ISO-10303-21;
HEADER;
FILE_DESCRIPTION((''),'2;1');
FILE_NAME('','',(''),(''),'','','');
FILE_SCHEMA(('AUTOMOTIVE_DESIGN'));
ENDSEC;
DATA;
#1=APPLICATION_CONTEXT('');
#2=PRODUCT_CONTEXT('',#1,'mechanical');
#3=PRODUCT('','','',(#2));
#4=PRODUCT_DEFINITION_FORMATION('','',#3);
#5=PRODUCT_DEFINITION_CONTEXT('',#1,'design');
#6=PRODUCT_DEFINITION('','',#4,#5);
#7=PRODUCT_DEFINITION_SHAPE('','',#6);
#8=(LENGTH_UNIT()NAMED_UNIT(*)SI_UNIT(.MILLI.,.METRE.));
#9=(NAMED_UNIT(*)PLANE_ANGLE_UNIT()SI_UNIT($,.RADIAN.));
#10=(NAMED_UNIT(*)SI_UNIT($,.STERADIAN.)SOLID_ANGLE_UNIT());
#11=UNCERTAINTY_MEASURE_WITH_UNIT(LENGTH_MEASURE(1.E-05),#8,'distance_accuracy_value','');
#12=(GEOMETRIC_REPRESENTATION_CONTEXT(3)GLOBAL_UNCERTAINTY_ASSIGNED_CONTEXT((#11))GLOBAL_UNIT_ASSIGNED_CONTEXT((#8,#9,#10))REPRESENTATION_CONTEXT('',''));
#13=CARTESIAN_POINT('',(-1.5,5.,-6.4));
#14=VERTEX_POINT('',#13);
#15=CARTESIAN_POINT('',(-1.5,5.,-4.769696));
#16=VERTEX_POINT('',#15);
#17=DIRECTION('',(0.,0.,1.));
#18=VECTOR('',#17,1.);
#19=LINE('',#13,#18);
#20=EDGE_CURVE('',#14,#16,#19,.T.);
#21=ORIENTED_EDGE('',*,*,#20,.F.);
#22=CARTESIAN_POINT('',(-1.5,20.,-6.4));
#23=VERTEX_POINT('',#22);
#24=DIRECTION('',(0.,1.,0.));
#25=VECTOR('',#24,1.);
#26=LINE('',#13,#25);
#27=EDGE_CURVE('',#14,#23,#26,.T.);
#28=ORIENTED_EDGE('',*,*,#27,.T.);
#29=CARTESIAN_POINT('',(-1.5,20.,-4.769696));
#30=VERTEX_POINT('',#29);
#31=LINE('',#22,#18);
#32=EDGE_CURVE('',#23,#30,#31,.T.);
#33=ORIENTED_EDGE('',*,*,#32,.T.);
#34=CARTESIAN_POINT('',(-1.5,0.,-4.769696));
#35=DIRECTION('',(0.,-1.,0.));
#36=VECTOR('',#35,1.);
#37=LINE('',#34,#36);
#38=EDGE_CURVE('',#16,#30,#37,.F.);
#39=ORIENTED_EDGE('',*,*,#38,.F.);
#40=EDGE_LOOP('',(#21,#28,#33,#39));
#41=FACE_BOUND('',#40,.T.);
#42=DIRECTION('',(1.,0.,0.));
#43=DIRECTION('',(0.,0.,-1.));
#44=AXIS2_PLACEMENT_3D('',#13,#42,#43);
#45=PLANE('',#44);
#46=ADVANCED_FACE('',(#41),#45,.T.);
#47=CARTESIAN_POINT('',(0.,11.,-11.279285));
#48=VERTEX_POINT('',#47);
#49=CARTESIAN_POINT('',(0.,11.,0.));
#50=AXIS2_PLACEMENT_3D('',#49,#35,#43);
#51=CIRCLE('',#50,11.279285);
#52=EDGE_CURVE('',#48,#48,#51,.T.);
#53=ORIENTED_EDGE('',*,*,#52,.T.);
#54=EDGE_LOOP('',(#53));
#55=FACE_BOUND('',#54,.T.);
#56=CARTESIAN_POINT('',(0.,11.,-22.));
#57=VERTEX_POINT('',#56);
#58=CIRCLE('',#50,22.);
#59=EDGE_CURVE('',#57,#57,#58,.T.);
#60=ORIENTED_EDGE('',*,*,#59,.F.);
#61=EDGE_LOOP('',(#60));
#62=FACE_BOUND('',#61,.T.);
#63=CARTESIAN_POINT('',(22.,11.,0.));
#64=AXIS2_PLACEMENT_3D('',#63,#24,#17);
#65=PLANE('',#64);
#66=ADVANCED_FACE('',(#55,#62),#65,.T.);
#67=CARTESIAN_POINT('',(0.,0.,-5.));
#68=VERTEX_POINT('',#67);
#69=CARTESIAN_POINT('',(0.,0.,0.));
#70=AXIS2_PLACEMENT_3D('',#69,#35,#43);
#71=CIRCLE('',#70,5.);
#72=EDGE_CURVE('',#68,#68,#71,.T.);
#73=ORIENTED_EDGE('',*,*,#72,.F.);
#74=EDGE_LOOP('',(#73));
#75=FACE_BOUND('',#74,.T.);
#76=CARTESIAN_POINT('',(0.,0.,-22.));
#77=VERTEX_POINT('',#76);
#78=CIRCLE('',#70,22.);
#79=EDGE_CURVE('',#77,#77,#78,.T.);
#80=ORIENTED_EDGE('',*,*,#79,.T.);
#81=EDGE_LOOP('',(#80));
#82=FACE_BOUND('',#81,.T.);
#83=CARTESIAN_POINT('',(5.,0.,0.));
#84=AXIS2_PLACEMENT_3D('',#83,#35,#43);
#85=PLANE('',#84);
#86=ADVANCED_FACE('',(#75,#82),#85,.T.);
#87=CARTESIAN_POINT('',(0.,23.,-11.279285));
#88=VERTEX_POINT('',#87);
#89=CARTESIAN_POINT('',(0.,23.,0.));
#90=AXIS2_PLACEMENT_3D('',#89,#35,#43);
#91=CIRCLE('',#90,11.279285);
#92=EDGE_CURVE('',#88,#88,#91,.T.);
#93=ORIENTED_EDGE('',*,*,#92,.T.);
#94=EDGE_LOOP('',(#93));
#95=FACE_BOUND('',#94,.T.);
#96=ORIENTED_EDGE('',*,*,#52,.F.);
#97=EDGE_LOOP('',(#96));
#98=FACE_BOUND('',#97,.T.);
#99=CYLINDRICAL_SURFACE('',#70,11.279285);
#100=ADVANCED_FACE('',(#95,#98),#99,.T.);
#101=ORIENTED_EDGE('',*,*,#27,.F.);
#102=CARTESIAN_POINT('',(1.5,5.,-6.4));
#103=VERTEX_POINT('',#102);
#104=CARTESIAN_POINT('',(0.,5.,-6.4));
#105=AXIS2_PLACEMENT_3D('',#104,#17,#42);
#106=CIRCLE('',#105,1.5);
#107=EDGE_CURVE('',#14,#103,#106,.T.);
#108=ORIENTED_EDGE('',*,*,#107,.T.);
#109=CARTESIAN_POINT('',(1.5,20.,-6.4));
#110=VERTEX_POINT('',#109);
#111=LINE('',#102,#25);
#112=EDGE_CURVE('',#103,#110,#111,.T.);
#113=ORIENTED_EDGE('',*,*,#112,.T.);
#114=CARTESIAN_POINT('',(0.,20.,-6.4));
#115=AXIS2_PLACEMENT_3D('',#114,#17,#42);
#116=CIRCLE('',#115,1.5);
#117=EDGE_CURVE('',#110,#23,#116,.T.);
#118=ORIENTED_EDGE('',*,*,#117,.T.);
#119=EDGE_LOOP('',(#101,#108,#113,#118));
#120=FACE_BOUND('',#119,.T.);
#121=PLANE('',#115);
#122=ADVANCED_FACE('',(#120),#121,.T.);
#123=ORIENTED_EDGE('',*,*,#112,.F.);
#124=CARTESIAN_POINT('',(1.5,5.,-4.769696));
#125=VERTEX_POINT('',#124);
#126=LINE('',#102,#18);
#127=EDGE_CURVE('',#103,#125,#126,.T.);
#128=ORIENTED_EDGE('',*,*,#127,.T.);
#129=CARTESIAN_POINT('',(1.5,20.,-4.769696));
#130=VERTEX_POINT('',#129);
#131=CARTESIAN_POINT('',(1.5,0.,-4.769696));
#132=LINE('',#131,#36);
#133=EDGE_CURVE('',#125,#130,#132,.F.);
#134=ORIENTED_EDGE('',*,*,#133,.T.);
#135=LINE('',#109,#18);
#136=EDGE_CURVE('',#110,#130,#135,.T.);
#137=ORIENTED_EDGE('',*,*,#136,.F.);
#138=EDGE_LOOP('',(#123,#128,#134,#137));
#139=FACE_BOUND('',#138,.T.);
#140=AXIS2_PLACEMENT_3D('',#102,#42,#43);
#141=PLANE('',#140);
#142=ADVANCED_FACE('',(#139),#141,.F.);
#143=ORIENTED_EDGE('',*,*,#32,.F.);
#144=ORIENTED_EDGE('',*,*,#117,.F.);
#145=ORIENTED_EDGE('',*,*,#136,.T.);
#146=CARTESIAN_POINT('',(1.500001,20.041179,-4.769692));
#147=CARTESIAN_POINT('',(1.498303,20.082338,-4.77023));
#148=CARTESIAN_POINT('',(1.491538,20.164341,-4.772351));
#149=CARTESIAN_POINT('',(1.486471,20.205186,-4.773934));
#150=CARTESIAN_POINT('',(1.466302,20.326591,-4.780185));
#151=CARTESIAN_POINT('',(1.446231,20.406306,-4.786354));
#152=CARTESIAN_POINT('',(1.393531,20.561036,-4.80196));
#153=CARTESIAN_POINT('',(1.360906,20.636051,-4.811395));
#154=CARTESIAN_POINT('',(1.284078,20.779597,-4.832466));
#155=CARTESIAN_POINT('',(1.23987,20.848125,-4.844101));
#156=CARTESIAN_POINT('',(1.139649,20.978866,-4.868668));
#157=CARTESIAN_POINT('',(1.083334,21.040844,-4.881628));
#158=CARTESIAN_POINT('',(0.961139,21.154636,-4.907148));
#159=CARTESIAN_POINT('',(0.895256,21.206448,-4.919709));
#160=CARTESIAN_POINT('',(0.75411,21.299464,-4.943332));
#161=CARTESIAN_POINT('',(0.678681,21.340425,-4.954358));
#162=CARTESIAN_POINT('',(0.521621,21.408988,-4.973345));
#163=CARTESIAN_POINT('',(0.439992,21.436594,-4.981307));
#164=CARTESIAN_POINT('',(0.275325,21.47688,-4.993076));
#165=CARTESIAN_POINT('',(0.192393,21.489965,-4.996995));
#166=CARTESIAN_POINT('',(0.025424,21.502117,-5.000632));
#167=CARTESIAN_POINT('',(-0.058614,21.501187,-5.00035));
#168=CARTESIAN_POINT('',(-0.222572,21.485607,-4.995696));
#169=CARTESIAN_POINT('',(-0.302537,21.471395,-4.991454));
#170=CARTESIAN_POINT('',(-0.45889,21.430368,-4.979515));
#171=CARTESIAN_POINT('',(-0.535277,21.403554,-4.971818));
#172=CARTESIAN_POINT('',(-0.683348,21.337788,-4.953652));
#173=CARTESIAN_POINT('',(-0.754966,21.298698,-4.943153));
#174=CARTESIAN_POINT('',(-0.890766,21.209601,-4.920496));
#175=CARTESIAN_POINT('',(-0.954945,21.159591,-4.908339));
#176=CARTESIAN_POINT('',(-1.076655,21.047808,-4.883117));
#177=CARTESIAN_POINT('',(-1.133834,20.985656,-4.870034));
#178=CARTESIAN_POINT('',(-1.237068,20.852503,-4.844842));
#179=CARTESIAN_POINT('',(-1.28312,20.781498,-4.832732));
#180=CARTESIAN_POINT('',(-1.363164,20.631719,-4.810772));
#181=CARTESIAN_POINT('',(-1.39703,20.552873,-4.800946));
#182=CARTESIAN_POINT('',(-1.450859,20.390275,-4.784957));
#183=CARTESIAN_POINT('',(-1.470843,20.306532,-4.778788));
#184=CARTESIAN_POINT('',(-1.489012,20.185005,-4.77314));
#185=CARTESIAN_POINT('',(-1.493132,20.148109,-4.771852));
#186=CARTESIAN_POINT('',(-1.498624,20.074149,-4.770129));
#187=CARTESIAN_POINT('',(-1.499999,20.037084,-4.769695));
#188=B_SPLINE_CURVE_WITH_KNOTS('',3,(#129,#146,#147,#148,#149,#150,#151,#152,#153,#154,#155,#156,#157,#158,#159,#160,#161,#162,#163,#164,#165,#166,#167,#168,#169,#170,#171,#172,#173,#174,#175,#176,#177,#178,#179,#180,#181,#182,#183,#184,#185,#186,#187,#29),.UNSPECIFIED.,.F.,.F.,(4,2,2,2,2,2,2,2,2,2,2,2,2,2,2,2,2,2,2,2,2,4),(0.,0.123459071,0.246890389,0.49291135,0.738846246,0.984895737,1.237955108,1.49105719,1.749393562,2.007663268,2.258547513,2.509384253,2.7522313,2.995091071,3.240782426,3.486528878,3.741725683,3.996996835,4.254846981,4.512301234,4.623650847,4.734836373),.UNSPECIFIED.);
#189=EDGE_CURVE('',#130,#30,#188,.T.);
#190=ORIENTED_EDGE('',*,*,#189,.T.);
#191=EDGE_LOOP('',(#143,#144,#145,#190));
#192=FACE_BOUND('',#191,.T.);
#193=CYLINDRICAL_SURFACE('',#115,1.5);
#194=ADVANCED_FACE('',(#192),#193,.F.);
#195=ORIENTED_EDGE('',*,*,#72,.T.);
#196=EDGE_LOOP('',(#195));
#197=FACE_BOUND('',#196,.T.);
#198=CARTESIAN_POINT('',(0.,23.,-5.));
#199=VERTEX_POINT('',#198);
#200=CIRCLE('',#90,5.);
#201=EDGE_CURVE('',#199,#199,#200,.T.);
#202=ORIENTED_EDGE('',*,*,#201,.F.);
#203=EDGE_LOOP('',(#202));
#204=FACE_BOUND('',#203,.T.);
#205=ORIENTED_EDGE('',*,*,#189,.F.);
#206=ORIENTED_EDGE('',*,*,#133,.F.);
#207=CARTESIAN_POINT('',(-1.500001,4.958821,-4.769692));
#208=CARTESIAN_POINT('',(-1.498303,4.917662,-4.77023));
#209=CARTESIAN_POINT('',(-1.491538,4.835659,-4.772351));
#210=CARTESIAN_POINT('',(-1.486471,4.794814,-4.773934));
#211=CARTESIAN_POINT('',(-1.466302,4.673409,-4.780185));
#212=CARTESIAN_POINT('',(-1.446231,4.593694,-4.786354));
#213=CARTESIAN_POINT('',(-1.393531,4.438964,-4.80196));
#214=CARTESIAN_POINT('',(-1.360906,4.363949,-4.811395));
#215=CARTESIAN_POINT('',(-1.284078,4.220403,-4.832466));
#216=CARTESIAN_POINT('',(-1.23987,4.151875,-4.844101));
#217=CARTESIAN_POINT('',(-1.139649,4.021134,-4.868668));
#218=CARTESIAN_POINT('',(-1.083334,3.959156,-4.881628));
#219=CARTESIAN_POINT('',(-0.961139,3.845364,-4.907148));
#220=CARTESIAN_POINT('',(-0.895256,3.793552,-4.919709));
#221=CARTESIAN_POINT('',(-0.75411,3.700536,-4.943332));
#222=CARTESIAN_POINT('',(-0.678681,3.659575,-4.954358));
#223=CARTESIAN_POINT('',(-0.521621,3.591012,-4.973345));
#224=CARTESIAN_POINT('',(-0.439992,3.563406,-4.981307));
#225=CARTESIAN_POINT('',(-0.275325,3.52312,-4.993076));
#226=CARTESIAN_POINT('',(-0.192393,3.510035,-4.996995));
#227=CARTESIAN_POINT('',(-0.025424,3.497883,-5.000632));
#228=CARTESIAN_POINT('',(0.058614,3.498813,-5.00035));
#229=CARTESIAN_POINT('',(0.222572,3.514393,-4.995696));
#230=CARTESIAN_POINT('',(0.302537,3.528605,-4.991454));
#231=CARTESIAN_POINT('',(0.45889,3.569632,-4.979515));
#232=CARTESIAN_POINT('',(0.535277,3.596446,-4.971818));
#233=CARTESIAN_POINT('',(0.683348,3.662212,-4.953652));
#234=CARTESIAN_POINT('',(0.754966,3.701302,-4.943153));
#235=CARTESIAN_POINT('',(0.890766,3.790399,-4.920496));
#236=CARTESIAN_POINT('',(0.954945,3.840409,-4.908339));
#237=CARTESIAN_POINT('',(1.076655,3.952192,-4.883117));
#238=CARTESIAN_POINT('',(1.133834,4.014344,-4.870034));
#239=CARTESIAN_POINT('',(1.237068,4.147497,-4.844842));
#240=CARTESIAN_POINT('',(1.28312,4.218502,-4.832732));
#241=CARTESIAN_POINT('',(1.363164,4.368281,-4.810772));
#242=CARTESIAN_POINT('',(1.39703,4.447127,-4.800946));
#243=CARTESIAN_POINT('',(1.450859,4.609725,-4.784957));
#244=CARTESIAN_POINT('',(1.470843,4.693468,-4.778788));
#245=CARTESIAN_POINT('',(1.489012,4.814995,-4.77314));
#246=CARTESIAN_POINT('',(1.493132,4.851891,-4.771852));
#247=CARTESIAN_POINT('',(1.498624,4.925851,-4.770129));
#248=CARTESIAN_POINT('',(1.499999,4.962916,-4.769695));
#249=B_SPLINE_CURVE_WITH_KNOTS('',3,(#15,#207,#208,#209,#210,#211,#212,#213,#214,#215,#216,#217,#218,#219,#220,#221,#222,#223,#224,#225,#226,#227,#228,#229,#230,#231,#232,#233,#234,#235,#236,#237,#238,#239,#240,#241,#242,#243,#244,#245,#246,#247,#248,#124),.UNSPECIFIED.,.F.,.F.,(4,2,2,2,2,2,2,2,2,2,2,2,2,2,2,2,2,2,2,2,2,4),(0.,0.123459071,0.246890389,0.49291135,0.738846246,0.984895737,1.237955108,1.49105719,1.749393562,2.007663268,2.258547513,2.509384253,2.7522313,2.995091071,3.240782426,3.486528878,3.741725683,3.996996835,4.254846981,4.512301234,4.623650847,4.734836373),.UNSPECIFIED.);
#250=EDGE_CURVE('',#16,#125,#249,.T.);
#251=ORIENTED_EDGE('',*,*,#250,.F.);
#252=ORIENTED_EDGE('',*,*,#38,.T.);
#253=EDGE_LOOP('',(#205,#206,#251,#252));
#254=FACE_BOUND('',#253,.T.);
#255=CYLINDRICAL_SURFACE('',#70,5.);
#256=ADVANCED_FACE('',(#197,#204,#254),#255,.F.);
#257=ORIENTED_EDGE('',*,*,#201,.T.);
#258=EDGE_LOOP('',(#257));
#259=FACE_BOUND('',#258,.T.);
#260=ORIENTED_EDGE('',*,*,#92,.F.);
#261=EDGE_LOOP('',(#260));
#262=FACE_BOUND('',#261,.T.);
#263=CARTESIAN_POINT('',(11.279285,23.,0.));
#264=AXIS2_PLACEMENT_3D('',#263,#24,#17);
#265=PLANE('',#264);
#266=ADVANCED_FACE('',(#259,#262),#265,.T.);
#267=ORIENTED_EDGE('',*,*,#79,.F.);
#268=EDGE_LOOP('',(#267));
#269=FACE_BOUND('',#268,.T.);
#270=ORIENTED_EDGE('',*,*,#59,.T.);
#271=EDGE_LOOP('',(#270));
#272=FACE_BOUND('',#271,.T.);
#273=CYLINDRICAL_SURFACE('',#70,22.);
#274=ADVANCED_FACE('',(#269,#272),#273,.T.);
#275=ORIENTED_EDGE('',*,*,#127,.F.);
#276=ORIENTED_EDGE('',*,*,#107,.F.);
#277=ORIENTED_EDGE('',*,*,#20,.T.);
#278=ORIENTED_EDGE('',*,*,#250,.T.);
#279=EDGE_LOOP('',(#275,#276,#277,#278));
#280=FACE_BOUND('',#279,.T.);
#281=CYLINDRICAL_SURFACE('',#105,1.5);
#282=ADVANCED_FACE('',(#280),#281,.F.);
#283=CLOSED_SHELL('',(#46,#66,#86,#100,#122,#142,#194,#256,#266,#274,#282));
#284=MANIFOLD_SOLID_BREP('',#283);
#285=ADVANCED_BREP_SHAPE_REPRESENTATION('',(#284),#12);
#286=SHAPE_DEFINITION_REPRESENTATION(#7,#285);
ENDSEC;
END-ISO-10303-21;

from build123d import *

# Parameters (mm, degrees)
CUT_EXTRUDE_1_DEPTH = 6.4


with BuildPart() as part:
    # Эскиз1 → Повернуть1 (revolve)
    with BuildSketch(Plane.XY, mode=Mode.PRIVATE) as revolve_1_sk:
        Polygon((5, 23), (5, 0), (22, 0), (22, 11), (11.27928518, 11), (11.27928518, 23), align=None)
    revolve(revolve_1_sk.sketch.rotate(Axis((0, 0, 0), (0, 1, 0)), 90), axis=Axis((0, 0, 0), (0, 1, 0)))

    # Эскиз2 → Вырез-Вытянуть1 (cut)
    with BuildSketch(Plane.XY):
        with BuildLine():
            Line((-1.5, 5), (-1.5, 20))
            ThreePointArc((-1.5, 20), (0, 21.5), (1.5, 20))
            Line((1.5, 20), (1.5, 5))
            ThreePointArc((1.5, 5), (0, 3.5), (-1.5, 5))
        make_face()
    extrude(amount=-CUT_EXTRUDE_1_DEPTH, mode=Mode.SUBTRACT)


solid = part.part
